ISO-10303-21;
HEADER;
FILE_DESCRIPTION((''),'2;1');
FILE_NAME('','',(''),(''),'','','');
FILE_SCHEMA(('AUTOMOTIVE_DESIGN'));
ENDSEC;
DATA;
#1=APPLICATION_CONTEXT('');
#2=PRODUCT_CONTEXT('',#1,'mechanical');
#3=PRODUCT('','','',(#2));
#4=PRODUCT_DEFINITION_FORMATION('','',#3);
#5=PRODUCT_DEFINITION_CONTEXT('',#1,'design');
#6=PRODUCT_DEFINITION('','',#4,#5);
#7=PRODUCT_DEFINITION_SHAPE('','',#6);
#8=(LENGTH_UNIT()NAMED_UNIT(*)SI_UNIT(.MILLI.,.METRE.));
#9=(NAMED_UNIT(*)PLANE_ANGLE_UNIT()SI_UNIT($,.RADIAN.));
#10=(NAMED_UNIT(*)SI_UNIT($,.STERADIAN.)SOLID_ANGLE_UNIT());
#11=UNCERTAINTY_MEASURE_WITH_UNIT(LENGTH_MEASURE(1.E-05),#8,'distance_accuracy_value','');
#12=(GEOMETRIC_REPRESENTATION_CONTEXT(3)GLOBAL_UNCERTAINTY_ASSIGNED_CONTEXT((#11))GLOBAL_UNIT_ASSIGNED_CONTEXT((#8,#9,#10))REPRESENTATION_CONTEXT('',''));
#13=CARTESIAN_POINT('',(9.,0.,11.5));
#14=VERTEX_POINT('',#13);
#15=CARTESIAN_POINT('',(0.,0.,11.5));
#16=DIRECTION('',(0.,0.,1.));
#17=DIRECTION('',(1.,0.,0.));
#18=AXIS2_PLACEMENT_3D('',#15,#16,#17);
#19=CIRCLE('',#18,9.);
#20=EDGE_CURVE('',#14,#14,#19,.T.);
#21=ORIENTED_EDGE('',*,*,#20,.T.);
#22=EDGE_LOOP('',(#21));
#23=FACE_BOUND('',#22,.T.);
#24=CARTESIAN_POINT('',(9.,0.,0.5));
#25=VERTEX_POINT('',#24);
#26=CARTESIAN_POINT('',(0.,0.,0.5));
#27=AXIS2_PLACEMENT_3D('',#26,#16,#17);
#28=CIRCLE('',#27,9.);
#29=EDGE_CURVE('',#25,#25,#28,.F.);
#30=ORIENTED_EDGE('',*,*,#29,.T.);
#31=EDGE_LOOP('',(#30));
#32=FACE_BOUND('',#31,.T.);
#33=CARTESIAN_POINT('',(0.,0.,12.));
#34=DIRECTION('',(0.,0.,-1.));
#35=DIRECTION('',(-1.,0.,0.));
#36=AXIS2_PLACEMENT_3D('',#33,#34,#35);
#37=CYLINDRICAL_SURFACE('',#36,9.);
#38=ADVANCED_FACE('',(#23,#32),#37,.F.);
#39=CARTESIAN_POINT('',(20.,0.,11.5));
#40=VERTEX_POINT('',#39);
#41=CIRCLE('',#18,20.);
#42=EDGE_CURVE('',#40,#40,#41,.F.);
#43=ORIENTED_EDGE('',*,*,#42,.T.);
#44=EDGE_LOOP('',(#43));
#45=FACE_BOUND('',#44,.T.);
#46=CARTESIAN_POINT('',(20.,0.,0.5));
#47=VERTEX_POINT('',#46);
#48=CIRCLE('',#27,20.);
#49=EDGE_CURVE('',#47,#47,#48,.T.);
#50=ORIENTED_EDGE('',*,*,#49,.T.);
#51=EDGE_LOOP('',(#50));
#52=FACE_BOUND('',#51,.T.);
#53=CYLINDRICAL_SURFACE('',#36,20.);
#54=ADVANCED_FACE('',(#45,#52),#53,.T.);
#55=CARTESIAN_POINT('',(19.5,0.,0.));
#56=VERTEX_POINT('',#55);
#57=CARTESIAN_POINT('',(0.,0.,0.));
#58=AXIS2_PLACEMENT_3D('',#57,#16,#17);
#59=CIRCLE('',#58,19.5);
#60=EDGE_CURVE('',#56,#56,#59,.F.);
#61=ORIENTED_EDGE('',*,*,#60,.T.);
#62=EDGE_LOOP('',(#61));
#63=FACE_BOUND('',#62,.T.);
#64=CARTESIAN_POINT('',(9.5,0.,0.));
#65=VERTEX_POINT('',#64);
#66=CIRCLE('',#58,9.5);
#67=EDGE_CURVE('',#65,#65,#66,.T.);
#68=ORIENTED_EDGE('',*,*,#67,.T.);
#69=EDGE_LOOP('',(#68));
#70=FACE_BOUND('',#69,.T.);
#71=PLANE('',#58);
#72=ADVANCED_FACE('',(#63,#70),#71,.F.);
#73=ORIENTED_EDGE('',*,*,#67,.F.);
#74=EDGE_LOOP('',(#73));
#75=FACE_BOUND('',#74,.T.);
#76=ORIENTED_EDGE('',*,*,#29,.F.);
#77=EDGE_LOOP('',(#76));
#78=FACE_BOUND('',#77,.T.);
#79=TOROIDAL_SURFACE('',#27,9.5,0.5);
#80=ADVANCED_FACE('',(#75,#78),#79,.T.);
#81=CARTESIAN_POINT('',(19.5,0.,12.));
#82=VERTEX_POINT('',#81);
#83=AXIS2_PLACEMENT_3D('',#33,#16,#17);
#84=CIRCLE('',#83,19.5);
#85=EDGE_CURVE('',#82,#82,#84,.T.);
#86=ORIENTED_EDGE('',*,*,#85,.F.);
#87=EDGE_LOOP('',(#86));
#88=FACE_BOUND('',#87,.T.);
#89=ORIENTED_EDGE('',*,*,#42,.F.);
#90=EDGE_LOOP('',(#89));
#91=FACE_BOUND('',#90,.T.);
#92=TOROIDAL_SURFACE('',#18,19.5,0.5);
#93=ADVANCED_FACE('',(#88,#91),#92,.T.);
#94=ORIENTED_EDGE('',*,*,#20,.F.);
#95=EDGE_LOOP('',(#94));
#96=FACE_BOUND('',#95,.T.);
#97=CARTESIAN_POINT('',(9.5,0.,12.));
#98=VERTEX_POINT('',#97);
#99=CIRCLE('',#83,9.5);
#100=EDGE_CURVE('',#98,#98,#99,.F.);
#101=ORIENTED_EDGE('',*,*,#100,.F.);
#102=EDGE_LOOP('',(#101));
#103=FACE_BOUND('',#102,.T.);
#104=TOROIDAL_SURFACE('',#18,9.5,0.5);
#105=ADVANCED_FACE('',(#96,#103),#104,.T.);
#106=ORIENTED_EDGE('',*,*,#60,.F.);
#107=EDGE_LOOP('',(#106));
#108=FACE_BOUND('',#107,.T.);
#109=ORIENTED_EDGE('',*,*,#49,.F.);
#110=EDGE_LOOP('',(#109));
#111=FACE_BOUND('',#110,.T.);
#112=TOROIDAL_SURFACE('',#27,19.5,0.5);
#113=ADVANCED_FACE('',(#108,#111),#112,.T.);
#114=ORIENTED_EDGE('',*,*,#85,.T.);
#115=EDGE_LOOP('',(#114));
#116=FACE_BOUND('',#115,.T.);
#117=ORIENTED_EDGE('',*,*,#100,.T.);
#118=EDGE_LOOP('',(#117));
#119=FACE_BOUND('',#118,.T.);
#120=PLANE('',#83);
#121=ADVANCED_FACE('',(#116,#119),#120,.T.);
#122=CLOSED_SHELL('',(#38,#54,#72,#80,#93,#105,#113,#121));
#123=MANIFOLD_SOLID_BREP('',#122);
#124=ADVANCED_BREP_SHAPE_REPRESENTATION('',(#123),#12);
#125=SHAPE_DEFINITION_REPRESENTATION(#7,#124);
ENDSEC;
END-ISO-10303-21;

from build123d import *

# Parameters (mm, degrees)
SZKIC1_R                    = 20
DODANIE_WYCI_GNI_CIE1_DEPTH = 12
SZKIC4_R                    = 9
WYTNIJ_WYCI_GNI_CIE1_DEPTH  = 12
ZAOKR_GLENIE1_R             = 0.5


with BuildPart() as part:
    # Szkic1 → Dodanie-wyciągnięcie1 (new body)
    with BuildSketch(Plane.XY):
        Circle(SZKIC1_R)
    extrude(amount=DODANIE_WYCI_GNI_CIE1_DEPTH)

    # Szkic4 → Wytnij-wyciągnięcie1 (cut)
    with BuildSketch(Plane(origin=(0, 0, 0), x_dir=(-1, 0, 0), z_dir=(0, 0, -1))):
        Circle(SZKIC4_R)
    extrude(amount=-WYTNIJ_WYCI_GNI_CIE1_DEPTH, mode=Mode.SUBTRACT)

    # Zaokrąglenie1
    zaokr_glenie1_edges = [part.edges().sort_by_distance(p)[0] for p in [
        (-20, 0, 0),
        (-20, 0, 12),
        (9, 0, 12),
        (9, 0, 0),
    ]]
    fillet(zaokr_glenie1_edges, radius=ZAOKR_GLENIE1_R)


solid = part.part
